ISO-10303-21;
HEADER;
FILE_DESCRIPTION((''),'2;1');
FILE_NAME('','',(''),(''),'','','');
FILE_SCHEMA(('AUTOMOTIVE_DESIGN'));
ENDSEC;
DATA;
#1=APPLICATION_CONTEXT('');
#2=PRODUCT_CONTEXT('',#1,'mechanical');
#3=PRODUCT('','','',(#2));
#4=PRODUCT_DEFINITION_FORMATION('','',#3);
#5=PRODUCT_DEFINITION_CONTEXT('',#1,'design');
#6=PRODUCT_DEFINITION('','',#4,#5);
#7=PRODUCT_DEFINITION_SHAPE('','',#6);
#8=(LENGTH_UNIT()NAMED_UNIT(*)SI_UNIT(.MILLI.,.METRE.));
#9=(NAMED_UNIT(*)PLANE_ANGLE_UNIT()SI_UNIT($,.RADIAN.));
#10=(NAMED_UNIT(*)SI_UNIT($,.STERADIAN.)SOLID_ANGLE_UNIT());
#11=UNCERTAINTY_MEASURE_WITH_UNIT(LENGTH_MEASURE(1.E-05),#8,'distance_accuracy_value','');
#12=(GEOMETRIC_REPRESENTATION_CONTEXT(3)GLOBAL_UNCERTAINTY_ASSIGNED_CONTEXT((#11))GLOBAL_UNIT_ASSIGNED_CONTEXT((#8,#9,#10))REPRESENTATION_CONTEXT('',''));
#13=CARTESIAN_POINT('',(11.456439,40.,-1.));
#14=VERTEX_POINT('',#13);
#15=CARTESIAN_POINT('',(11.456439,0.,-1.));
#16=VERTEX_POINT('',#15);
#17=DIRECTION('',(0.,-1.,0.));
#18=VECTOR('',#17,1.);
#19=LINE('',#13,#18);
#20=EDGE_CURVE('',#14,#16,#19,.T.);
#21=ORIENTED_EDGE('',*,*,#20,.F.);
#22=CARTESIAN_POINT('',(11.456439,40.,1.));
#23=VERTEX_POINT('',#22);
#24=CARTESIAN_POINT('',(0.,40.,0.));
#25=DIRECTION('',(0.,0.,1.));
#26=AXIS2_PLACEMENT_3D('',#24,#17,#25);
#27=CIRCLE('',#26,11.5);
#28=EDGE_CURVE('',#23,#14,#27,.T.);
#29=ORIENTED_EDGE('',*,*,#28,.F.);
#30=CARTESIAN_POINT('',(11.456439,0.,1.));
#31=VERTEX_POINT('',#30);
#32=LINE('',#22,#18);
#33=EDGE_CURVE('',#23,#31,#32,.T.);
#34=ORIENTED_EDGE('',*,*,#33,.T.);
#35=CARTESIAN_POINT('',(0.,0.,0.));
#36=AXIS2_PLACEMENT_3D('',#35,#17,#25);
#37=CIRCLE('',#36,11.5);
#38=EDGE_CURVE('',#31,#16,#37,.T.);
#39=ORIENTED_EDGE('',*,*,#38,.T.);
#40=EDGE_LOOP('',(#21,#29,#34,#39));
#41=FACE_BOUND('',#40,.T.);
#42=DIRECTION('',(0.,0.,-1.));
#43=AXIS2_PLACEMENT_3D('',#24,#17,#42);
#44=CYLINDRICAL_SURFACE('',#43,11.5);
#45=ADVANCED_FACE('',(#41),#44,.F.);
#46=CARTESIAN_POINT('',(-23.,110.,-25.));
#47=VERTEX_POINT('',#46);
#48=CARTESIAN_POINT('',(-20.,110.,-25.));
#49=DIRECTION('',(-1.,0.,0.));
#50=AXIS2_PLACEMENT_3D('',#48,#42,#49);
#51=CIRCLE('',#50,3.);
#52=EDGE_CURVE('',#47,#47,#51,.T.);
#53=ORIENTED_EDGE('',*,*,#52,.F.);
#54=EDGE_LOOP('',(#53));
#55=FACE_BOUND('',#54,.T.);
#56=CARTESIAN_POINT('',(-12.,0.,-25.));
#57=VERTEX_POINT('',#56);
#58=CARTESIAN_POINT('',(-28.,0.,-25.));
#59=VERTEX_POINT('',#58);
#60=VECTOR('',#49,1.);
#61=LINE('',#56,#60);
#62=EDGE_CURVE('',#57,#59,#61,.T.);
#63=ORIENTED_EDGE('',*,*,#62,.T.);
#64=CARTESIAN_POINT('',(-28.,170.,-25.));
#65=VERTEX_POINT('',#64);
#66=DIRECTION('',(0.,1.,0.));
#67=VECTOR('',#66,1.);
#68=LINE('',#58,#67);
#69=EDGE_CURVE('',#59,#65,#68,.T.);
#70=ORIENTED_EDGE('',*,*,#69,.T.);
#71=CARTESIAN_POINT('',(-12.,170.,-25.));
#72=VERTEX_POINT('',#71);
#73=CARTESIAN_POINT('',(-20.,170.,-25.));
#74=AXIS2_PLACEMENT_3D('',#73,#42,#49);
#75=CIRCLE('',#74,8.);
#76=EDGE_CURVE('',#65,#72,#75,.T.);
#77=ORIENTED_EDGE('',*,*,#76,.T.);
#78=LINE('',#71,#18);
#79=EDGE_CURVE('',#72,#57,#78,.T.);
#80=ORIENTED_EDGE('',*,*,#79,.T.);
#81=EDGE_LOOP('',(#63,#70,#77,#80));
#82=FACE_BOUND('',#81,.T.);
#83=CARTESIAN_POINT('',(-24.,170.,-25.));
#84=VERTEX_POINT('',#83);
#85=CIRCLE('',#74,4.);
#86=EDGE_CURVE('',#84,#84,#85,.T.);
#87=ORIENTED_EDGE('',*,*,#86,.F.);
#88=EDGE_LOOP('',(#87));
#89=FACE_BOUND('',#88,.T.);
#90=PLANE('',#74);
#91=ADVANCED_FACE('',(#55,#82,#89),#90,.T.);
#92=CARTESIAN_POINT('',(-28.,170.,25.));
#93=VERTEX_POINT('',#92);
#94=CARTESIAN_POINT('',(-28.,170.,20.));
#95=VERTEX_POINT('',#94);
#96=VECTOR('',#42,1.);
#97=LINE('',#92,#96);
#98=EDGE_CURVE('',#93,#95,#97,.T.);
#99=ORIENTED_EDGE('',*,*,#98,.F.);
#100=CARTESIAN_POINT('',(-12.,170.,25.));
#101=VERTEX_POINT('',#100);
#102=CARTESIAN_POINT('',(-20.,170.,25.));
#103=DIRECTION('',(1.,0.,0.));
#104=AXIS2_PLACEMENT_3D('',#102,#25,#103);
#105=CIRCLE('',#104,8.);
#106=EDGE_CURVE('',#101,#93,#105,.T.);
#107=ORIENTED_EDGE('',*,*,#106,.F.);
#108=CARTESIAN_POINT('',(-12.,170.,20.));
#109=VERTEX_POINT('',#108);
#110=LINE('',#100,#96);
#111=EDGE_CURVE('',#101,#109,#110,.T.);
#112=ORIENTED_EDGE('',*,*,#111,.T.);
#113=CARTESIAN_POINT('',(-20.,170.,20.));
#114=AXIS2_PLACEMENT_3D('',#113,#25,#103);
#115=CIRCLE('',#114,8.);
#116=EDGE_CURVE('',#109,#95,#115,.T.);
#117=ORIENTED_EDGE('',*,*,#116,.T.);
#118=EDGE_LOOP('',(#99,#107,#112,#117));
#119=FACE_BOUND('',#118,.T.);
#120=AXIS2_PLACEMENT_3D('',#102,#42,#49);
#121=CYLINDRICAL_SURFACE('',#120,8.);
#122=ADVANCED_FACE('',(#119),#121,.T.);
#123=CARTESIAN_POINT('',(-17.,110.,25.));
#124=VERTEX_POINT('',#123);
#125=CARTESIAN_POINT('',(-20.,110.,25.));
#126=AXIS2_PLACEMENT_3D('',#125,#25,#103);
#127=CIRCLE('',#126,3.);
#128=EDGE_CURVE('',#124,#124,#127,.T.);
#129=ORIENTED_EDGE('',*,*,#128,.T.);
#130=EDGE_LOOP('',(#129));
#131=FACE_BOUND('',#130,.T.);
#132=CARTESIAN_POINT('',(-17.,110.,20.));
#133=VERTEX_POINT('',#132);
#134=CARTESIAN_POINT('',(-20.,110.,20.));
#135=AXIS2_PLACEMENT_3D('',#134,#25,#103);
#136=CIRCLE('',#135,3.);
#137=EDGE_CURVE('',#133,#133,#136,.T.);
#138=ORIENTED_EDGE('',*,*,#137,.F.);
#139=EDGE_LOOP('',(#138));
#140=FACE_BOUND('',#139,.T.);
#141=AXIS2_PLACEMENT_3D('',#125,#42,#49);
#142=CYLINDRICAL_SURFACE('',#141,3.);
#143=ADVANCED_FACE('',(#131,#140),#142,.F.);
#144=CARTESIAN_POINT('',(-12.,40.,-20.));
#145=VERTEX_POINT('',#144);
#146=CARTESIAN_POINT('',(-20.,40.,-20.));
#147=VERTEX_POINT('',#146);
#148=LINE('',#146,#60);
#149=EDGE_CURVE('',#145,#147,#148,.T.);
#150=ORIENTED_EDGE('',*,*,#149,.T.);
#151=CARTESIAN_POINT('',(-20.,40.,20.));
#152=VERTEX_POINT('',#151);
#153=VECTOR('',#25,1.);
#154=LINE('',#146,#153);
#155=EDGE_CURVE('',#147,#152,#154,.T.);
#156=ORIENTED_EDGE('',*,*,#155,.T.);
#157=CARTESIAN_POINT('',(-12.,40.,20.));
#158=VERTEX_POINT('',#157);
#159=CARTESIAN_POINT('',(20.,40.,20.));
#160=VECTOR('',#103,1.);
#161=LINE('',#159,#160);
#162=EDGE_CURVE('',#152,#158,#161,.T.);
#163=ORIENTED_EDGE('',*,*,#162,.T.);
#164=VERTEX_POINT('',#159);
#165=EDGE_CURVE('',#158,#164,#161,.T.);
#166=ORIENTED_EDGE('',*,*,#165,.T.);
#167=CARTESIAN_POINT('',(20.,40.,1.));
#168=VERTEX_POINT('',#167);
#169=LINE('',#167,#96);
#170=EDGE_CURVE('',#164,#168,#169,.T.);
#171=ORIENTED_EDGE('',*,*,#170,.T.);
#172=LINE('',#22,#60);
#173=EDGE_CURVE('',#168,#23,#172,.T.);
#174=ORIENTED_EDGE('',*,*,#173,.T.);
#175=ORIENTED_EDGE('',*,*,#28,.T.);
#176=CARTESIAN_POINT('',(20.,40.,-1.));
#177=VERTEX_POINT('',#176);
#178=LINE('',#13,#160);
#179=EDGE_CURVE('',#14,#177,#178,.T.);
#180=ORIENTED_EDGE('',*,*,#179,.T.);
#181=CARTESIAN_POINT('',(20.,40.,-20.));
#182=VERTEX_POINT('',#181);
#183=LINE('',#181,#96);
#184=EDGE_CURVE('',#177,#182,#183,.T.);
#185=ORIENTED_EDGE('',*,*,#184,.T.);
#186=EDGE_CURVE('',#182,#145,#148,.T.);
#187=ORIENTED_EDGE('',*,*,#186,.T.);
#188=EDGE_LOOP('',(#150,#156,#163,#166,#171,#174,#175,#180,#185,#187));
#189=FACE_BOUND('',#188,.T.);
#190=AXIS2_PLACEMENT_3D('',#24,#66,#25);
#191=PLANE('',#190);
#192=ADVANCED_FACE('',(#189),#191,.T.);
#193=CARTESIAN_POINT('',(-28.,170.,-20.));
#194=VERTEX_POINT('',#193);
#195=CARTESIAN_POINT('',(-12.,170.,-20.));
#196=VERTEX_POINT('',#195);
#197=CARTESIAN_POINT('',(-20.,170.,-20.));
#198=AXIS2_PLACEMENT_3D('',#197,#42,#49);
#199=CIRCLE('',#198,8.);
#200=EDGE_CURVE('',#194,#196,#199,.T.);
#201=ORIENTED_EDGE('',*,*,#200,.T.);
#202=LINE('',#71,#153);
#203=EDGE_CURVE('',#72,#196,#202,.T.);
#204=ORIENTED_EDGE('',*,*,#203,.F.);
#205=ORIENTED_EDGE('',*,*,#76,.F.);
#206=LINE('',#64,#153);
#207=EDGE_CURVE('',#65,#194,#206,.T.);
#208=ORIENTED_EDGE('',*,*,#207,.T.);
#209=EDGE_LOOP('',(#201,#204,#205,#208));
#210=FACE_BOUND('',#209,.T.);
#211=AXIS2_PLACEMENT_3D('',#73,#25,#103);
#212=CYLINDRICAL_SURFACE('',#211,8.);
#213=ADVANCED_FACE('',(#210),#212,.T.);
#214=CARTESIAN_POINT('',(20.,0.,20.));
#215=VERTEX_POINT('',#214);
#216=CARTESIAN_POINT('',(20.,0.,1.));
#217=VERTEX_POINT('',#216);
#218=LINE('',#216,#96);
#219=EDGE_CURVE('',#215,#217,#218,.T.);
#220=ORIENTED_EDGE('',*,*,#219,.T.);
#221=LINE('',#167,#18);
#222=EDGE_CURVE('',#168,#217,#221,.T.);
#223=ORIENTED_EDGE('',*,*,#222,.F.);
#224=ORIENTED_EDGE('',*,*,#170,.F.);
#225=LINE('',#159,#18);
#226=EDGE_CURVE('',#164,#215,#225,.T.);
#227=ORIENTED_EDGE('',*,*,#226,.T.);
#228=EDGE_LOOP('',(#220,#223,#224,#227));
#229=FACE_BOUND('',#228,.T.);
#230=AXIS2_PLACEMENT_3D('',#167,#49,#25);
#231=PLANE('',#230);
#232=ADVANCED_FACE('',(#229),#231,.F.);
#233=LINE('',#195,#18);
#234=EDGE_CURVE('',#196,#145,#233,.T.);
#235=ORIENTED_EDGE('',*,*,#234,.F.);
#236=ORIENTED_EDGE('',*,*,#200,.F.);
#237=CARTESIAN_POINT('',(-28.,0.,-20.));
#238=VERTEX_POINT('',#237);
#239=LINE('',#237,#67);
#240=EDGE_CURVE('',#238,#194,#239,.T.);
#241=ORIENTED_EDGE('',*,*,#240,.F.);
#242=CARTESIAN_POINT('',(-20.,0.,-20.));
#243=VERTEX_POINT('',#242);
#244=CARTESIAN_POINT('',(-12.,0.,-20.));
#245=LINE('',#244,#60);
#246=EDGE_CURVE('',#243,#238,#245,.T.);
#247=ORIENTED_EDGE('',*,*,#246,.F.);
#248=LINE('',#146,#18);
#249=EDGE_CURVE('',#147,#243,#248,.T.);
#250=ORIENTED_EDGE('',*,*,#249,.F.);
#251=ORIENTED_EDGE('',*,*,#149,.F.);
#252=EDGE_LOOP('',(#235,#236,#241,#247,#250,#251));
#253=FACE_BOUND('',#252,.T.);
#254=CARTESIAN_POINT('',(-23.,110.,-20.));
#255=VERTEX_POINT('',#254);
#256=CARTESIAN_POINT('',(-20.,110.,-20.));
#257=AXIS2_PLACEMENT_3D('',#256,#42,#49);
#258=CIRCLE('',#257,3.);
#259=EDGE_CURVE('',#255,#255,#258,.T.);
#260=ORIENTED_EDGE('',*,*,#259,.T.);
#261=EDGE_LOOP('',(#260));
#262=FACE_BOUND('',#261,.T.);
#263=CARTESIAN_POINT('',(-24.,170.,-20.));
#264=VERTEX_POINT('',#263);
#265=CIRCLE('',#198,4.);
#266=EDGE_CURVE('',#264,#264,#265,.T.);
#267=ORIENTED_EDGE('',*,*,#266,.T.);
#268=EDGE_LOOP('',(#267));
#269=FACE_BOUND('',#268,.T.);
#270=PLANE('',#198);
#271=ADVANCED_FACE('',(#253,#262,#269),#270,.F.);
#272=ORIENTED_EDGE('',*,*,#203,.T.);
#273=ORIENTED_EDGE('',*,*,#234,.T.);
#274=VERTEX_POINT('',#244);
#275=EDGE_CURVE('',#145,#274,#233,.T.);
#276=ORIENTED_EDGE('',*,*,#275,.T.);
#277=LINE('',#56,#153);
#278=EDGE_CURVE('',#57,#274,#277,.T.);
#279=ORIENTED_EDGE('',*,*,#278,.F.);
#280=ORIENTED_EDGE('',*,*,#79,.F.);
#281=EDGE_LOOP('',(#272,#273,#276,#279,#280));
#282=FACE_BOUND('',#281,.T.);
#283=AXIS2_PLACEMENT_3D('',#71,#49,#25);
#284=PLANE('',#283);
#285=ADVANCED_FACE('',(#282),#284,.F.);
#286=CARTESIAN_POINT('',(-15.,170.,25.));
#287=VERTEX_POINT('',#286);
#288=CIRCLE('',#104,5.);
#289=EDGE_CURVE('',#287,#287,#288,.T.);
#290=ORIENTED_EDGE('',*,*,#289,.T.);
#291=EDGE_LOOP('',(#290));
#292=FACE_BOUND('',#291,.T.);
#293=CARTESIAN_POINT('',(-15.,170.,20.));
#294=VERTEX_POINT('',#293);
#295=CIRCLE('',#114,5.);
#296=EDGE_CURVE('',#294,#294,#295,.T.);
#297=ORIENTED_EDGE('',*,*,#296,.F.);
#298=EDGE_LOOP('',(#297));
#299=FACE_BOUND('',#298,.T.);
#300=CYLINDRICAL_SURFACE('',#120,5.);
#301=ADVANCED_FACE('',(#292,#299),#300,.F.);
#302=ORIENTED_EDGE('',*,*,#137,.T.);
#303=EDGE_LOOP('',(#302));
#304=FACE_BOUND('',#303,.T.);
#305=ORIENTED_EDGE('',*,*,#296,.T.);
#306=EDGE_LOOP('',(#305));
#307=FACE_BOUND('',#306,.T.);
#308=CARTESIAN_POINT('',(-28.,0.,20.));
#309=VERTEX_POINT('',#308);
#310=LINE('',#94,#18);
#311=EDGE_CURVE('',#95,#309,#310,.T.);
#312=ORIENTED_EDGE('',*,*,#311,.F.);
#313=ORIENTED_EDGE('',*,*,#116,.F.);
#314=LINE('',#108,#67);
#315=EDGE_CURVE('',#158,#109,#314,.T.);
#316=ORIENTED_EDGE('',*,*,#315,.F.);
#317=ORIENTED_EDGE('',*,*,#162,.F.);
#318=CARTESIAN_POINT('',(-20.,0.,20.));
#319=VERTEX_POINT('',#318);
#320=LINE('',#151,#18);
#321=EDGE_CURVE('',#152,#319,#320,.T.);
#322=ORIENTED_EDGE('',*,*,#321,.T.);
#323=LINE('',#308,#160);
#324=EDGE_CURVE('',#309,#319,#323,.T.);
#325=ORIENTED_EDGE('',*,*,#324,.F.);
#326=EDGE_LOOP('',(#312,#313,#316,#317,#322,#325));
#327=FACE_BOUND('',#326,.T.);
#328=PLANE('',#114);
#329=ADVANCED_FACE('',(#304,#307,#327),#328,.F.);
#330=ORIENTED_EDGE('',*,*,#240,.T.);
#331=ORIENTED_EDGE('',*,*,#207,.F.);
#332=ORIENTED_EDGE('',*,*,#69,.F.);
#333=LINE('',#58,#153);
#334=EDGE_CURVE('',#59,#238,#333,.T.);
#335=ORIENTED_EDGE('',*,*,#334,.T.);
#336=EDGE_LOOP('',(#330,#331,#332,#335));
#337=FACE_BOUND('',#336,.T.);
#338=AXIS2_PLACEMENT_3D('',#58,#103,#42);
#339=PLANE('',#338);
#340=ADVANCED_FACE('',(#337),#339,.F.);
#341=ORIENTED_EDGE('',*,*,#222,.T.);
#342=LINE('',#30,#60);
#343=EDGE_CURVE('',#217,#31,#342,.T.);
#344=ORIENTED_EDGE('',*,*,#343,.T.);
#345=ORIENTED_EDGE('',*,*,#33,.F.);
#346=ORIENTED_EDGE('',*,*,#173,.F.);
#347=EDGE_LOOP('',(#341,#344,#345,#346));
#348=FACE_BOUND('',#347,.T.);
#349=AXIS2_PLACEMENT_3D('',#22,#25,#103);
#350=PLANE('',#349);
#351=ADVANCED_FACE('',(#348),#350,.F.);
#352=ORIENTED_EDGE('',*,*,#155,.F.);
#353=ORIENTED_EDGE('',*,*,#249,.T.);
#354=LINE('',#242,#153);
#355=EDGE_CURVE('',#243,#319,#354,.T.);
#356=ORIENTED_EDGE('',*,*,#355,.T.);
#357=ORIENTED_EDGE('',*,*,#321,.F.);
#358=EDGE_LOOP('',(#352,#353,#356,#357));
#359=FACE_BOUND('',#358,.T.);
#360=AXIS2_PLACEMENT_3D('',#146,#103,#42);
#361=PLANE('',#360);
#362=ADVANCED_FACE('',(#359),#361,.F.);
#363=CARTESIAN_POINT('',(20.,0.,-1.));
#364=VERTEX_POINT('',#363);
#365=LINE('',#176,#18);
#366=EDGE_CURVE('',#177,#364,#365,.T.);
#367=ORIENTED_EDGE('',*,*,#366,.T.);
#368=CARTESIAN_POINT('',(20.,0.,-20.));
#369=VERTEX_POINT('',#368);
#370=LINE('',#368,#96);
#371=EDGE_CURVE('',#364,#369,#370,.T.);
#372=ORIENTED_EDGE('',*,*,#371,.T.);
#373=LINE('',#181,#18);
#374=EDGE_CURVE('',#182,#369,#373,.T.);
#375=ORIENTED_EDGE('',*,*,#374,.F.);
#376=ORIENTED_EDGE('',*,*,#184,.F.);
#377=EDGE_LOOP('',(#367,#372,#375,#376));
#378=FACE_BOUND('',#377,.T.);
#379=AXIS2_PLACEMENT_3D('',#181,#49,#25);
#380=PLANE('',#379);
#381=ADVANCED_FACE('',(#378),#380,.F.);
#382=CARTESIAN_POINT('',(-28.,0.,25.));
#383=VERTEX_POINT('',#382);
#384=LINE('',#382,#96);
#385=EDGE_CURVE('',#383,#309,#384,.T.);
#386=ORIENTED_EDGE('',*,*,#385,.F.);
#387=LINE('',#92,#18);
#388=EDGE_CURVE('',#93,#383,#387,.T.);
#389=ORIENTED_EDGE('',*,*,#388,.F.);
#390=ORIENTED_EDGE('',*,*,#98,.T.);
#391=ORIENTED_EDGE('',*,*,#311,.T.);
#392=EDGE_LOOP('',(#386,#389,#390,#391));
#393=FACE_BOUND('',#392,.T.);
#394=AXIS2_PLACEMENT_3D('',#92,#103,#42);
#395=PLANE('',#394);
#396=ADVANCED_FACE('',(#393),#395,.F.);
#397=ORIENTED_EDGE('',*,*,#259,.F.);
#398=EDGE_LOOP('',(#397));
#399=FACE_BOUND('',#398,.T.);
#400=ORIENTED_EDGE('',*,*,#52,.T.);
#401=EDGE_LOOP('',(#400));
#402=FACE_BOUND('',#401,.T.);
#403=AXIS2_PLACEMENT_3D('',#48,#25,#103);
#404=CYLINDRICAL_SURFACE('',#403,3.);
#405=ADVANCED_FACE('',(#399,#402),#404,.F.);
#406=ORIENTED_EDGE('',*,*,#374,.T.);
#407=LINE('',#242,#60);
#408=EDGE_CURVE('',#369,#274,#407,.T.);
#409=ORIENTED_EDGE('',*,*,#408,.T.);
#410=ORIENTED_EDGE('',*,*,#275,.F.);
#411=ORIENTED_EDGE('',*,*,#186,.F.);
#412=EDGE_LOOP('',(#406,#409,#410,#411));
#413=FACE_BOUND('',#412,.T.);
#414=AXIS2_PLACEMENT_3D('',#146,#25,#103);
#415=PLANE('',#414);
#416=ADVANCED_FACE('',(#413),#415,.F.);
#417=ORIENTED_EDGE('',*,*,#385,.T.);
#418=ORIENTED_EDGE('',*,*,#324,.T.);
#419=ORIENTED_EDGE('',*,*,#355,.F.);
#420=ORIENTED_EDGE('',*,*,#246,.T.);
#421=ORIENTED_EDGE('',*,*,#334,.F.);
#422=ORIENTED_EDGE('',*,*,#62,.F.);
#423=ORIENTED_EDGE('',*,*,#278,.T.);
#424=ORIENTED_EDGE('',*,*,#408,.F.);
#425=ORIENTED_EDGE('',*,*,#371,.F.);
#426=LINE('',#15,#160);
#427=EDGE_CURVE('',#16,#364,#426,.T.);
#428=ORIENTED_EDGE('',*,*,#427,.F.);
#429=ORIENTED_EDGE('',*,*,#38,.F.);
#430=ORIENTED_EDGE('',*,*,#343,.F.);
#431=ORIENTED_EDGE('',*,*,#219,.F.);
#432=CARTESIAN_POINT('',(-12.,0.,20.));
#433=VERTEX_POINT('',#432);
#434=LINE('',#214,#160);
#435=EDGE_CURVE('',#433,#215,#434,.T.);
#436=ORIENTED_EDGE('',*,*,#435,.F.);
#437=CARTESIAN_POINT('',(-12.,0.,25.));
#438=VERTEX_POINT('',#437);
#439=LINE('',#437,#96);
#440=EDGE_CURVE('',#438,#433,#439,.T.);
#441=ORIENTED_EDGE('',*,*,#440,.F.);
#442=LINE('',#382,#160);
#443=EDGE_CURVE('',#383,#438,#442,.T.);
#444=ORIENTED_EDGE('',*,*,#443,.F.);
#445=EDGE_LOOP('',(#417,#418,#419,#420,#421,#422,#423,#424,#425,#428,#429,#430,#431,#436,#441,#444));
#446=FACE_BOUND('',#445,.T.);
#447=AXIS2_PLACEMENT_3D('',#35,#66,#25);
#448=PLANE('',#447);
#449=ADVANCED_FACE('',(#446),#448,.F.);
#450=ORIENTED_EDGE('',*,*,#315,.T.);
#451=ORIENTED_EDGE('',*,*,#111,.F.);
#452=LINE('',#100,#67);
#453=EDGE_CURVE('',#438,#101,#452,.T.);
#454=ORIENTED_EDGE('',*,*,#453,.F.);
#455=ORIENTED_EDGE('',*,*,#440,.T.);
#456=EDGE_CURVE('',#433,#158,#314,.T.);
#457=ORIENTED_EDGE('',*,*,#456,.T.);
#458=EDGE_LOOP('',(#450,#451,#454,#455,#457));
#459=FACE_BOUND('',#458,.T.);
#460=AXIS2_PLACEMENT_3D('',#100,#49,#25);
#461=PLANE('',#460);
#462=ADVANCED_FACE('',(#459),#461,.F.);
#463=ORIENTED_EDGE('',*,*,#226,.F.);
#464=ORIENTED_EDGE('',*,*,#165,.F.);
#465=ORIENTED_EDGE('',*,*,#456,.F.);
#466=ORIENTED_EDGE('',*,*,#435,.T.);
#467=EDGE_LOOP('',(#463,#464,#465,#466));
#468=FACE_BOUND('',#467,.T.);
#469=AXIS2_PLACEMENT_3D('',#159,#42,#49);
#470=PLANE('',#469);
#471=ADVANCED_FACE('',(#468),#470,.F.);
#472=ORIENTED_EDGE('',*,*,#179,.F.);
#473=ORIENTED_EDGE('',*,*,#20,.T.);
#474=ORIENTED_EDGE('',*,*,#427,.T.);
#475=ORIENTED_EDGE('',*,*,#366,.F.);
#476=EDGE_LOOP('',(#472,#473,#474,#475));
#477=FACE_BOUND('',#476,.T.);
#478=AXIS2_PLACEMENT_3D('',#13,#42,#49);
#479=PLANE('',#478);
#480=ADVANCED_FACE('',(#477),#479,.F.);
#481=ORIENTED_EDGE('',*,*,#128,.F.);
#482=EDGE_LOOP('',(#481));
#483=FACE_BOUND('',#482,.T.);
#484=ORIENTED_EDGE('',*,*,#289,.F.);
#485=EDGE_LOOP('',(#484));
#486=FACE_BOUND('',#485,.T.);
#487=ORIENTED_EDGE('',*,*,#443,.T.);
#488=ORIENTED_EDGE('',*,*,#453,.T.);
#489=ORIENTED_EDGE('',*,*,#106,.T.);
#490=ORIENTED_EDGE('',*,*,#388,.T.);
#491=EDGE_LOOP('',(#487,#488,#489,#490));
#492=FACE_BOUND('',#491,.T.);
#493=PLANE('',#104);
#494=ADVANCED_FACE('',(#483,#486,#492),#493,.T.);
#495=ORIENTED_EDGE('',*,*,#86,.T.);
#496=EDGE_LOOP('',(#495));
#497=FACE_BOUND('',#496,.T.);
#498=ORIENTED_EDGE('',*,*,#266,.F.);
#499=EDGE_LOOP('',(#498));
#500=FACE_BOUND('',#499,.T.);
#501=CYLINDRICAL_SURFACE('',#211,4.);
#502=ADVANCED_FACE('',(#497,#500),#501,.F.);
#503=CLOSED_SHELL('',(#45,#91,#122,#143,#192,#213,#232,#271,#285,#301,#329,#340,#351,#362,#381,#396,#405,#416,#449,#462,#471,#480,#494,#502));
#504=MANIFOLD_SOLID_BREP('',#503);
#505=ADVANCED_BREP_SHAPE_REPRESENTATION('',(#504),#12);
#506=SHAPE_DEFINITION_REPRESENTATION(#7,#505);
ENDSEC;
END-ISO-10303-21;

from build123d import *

# Parameters (mm, degrees)
EXTRUDE1_DEPTH = 40
SKETCH3_R      = 5
SKETCH3_R_2    = 3
EXTRUDE2_DEPTH = 5
EXTRUDE3_START = 5
SKETCH4_R      = 4
SKETCH4_R_2    = 3
EXTRUDE3_DEPTH = 5


with BuildPart() as part:
    # Sketch2 → Extrude1 (new body)
    with BuildSketch(Plane(origin=(0, 0, 0), x_dir=(1, 0, 0), z_dir=(0, 1, 0))):
        with BuildLine():
            Line((-20, 20), (20, 20))
            Line((20, 20), (20, 1))
            Line((20, 1), (11.456439237, 1))
            ThreePointArc((11.456439237, 1), (-11.5, 0), (11.456439237, -1))
            Line((11.456439237, -1), (20, -1))
            Line((20, -1), (20, -20))
            Line((20, -20), (-20, -20))
            Line((-20, -20), (-20, 20))
        make_face()
    extrude(amount=EXTRUDE1_DEPTH)

    # Sketch3 → Extrude2 (add)
    with BuildSketch(Plane.XY.offset(20)):
        with BuildLine():
            Line((-28, 170), (-28, 0))
            Line((-28, 0), (-12, 0))
            Line((-12, 0), (-12, 170))
            ThreePointArc((-12, 170), (-20, 178), (-28, 170))
        make_face()
        with Locations((-20, 170)):
            Circle(SKETCH3_R, mode=Mode.SUBTRACT)
        with Locations((-20, 110)):
            Circle(SKETCH3_R_2, mode=Mode.SUBTRACT)
    extrude(amount=EXTRUDE2_DEPTH)

    # Sketch4 → Extrude3 (add)
    with BuildSketch(Plane(origin=(0, 0, -20), x_dir=(-1, 0, 0), z_dir=(0, 0, -1)).offset(EXTRUDE3_START)):
        with BuildLine():
            Line((12, 0), (28, 0))
            Line((28, 0), (28, 170))
            ThreePointArc((28, 170), (20, 178), (12, 170))
            Line((12, 170), (12, 0))
        make_face()
        with Locations((20, 170)):
            Circle(SKETCH4_R, mode=Mode.SUBTRACT)
        with Locations(Location((20, 110, 0), (0, 0, 180))):
            Circle(SKETCH4_R_2, mode=Mode.SUBTRACT)
    extrude(amount=-EXTRUDE3_DEPTH)


solid = part.part
